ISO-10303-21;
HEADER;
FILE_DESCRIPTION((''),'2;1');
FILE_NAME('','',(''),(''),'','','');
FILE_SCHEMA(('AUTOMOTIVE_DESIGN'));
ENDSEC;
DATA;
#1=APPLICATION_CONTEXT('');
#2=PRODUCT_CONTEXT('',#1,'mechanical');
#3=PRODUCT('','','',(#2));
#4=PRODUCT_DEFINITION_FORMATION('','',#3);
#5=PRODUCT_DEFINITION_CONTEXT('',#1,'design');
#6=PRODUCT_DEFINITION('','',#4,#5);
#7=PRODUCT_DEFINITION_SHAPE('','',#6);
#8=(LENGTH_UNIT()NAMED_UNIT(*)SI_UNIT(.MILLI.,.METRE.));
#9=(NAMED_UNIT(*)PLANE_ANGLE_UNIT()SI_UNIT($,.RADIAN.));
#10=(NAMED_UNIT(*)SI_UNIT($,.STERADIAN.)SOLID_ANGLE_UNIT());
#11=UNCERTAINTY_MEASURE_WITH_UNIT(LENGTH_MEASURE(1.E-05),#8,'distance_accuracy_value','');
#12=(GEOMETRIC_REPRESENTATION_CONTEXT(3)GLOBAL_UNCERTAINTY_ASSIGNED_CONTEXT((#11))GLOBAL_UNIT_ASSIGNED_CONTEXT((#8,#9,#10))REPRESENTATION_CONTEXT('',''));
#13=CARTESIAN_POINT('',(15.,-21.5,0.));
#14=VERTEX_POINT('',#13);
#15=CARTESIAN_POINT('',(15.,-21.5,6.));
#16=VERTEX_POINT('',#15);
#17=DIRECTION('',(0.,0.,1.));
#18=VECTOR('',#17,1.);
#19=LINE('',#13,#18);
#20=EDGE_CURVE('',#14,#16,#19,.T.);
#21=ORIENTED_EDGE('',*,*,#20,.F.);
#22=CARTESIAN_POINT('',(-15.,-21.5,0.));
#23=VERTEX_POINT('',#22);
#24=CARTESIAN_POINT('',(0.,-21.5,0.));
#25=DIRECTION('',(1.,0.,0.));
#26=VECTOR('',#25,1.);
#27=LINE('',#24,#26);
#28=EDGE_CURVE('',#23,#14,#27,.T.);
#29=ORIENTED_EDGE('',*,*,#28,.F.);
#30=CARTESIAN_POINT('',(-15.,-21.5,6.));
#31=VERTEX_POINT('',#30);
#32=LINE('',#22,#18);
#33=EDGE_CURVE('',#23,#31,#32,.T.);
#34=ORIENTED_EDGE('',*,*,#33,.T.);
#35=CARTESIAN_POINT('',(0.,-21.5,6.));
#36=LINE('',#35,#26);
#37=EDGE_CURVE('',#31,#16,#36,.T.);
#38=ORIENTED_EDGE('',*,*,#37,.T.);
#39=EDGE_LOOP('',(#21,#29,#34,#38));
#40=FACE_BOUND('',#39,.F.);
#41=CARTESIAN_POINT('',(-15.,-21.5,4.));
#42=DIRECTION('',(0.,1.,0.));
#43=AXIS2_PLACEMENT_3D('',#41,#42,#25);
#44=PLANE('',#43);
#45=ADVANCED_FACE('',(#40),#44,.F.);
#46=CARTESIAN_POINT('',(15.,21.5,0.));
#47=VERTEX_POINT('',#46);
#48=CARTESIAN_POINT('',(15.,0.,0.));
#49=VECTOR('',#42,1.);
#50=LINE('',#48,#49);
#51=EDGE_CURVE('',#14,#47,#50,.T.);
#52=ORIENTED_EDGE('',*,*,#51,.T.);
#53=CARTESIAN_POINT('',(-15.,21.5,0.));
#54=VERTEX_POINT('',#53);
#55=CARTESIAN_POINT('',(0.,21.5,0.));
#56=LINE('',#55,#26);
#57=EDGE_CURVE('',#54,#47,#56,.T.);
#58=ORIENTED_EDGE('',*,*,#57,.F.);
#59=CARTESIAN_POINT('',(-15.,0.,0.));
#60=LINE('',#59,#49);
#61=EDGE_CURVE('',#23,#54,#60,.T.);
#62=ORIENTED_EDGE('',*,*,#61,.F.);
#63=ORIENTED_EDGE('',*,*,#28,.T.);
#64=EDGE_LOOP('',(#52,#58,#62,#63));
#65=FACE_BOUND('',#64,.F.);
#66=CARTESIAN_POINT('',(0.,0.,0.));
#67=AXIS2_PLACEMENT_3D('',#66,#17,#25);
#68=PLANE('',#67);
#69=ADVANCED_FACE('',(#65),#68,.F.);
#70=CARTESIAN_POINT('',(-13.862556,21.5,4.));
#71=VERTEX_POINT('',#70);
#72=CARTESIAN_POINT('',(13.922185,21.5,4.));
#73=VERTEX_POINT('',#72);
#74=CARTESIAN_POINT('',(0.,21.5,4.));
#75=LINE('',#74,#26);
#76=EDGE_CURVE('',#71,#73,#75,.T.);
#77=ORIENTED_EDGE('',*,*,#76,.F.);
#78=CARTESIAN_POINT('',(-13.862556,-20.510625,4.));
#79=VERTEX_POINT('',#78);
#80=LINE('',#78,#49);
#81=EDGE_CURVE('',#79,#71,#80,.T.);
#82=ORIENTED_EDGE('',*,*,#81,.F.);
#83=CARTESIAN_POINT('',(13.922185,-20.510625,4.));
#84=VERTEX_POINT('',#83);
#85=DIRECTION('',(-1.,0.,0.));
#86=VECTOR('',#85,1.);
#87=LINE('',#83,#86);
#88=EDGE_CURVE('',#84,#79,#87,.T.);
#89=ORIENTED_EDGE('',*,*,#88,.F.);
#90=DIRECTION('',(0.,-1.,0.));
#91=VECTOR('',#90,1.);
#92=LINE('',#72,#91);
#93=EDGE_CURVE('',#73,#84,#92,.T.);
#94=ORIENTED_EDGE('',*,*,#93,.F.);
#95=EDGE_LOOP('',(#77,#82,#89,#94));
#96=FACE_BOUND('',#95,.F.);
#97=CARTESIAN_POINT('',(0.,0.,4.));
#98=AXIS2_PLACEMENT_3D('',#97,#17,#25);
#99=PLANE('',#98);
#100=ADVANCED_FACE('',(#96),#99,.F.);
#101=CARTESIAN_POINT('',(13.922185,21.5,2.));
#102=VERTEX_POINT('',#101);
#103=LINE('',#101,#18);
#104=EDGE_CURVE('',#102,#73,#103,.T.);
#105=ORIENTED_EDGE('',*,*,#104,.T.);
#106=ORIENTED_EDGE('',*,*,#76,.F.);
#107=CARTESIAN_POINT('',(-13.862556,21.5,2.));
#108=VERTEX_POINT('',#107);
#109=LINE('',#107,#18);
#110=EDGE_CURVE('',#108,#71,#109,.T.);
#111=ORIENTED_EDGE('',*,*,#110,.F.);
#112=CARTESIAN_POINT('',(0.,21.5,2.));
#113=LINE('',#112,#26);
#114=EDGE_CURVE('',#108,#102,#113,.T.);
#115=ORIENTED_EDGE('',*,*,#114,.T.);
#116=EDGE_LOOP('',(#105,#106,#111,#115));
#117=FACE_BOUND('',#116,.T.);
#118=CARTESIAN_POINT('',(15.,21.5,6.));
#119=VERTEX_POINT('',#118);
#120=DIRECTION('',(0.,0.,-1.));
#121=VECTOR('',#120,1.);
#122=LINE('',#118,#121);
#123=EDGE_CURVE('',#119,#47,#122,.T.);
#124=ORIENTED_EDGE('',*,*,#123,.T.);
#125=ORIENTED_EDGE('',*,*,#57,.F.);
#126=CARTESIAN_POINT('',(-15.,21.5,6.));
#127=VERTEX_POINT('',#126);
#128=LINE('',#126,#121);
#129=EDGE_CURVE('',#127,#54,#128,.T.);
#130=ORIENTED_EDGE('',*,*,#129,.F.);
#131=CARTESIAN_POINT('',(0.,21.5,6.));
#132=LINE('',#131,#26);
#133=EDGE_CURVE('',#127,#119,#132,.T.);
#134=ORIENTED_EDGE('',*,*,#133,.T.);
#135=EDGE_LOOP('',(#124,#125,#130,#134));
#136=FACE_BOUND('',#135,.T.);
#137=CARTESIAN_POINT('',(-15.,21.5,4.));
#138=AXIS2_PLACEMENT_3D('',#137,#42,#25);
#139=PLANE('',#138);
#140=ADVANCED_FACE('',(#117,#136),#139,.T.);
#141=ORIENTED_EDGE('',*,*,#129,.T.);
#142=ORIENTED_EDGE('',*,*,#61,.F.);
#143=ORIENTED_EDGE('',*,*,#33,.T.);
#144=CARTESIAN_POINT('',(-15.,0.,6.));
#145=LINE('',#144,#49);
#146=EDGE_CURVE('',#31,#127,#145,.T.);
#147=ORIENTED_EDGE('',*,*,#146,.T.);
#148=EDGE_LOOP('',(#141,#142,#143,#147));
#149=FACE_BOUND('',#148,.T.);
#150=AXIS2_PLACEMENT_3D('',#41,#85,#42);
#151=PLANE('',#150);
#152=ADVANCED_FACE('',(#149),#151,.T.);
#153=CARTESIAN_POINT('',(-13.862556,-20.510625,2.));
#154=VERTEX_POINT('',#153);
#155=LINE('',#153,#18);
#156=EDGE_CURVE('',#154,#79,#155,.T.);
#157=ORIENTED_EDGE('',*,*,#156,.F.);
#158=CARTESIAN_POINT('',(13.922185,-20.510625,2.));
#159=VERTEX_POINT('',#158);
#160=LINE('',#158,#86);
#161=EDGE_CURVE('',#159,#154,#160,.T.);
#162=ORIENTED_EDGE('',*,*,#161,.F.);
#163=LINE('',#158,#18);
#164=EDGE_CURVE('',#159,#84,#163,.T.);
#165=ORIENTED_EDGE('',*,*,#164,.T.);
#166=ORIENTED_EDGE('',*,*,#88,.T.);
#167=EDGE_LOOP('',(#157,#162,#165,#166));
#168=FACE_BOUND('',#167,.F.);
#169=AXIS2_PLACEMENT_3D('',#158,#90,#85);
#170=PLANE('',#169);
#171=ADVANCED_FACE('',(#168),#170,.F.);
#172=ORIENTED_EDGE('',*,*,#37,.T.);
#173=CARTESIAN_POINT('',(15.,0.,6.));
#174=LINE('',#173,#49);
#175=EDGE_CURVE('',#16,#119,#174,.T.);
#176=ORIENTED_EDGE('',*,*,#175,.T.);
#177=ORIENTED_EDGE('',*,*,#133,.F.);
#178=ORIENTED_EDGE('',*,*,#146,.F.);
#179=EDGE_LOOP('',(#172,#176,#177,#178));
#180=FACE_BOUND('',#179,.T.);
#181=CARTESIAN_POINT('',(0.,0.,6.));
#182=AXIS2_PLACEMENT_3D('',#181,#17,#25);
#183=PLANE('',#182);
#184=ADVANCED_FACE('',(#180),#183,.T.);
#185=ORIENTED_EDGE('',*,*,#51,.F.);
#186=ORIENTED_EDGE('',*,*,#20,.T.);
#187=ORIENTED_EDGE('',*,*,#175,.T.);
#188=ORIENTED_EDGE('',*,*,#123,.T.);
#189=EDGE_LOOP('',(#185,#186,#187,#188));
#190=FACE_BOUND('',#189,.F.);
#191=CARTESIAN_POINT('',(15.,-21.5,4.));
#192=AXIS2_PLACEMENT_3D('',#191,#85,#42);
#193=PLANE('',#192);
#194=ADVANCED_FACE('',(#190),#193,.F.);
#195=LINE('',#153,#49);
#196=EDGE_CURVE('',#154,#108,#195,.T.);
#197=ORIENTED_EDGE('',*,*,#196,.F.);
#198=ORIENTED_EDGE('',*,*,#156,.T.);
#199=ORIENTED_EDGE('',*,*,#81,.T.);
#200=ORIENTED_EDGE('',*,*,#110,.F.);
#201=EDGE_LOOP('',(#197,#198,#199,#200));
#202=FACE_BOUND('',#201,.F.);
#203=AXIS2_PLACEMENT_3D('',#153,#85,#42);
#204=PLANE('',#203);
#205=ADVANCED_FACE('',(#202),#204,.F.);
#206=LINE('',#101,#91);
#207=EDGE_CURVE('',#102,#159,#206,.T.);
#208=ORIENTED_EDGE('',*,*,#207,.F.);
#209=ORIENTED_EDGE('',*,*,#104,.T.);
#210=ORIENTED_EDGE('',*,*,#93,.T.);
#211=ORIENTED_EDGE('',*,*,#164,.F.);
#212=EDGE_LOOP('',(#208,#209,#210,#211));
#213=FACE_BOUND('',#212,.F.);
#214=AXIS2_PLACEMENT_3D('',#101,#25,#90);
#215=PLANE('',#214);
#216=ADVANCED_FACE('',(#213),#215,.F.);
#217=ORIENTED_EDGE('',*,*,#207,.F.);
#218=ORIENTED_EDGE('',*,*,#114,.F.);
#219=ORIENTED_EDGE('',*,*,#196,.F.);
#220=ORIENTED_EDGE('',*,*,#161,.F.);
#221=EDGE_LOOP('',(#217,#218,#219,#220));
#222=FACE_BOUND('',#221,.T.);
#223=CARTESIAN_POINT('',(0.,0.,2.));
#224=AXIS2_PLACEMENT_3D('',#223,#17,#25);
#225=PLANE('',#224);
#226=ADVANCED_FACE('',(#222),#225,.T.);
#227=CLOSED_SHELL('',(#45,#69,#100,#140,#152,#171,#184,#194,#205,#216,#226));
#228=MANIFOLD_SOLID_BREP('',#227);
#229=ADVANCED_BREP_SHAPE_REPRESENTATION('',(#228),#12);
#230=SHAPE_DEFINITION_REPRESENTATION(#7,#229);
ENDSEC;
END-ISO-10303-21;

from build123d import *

# Parameters (mm, degrees)
F0_W     = 30
F0_H     = 43
F1_DEPTH = 2
F3_DEPTH = 2
F4_W     = 30
F4_H     = 43
F5_DEPTH = 2


with BuildPart() as f1:
    # F0 (on Top) → F1 (new body)
    with BuildSketch(Plane.XY):
        Rectangle(F0_W, F0_H)
    extrude(amount=F1_DEPTH)

    # F2 (on face) → F3 (join)
    with BuildSketch(Plane.XY.offset(2)):
        Polygon((-13.862556, -20.510625), (-13.862556, 21.5), (-15, 21.5), (-15, -21.5), (15, -21.5), (15, 21.5), (13.922185, 21.5), (13.922185, -20.510625), align=None)
    extrude(amount=F3_DEPTH)

    # F4 (on face) → F5 (join)
    with BuildSketch(Plane.XY.offset(4)):
        Rectangle(F4_W, F4_H)
    extrude(amount=F5_DEPTH)


solid = f1.part
